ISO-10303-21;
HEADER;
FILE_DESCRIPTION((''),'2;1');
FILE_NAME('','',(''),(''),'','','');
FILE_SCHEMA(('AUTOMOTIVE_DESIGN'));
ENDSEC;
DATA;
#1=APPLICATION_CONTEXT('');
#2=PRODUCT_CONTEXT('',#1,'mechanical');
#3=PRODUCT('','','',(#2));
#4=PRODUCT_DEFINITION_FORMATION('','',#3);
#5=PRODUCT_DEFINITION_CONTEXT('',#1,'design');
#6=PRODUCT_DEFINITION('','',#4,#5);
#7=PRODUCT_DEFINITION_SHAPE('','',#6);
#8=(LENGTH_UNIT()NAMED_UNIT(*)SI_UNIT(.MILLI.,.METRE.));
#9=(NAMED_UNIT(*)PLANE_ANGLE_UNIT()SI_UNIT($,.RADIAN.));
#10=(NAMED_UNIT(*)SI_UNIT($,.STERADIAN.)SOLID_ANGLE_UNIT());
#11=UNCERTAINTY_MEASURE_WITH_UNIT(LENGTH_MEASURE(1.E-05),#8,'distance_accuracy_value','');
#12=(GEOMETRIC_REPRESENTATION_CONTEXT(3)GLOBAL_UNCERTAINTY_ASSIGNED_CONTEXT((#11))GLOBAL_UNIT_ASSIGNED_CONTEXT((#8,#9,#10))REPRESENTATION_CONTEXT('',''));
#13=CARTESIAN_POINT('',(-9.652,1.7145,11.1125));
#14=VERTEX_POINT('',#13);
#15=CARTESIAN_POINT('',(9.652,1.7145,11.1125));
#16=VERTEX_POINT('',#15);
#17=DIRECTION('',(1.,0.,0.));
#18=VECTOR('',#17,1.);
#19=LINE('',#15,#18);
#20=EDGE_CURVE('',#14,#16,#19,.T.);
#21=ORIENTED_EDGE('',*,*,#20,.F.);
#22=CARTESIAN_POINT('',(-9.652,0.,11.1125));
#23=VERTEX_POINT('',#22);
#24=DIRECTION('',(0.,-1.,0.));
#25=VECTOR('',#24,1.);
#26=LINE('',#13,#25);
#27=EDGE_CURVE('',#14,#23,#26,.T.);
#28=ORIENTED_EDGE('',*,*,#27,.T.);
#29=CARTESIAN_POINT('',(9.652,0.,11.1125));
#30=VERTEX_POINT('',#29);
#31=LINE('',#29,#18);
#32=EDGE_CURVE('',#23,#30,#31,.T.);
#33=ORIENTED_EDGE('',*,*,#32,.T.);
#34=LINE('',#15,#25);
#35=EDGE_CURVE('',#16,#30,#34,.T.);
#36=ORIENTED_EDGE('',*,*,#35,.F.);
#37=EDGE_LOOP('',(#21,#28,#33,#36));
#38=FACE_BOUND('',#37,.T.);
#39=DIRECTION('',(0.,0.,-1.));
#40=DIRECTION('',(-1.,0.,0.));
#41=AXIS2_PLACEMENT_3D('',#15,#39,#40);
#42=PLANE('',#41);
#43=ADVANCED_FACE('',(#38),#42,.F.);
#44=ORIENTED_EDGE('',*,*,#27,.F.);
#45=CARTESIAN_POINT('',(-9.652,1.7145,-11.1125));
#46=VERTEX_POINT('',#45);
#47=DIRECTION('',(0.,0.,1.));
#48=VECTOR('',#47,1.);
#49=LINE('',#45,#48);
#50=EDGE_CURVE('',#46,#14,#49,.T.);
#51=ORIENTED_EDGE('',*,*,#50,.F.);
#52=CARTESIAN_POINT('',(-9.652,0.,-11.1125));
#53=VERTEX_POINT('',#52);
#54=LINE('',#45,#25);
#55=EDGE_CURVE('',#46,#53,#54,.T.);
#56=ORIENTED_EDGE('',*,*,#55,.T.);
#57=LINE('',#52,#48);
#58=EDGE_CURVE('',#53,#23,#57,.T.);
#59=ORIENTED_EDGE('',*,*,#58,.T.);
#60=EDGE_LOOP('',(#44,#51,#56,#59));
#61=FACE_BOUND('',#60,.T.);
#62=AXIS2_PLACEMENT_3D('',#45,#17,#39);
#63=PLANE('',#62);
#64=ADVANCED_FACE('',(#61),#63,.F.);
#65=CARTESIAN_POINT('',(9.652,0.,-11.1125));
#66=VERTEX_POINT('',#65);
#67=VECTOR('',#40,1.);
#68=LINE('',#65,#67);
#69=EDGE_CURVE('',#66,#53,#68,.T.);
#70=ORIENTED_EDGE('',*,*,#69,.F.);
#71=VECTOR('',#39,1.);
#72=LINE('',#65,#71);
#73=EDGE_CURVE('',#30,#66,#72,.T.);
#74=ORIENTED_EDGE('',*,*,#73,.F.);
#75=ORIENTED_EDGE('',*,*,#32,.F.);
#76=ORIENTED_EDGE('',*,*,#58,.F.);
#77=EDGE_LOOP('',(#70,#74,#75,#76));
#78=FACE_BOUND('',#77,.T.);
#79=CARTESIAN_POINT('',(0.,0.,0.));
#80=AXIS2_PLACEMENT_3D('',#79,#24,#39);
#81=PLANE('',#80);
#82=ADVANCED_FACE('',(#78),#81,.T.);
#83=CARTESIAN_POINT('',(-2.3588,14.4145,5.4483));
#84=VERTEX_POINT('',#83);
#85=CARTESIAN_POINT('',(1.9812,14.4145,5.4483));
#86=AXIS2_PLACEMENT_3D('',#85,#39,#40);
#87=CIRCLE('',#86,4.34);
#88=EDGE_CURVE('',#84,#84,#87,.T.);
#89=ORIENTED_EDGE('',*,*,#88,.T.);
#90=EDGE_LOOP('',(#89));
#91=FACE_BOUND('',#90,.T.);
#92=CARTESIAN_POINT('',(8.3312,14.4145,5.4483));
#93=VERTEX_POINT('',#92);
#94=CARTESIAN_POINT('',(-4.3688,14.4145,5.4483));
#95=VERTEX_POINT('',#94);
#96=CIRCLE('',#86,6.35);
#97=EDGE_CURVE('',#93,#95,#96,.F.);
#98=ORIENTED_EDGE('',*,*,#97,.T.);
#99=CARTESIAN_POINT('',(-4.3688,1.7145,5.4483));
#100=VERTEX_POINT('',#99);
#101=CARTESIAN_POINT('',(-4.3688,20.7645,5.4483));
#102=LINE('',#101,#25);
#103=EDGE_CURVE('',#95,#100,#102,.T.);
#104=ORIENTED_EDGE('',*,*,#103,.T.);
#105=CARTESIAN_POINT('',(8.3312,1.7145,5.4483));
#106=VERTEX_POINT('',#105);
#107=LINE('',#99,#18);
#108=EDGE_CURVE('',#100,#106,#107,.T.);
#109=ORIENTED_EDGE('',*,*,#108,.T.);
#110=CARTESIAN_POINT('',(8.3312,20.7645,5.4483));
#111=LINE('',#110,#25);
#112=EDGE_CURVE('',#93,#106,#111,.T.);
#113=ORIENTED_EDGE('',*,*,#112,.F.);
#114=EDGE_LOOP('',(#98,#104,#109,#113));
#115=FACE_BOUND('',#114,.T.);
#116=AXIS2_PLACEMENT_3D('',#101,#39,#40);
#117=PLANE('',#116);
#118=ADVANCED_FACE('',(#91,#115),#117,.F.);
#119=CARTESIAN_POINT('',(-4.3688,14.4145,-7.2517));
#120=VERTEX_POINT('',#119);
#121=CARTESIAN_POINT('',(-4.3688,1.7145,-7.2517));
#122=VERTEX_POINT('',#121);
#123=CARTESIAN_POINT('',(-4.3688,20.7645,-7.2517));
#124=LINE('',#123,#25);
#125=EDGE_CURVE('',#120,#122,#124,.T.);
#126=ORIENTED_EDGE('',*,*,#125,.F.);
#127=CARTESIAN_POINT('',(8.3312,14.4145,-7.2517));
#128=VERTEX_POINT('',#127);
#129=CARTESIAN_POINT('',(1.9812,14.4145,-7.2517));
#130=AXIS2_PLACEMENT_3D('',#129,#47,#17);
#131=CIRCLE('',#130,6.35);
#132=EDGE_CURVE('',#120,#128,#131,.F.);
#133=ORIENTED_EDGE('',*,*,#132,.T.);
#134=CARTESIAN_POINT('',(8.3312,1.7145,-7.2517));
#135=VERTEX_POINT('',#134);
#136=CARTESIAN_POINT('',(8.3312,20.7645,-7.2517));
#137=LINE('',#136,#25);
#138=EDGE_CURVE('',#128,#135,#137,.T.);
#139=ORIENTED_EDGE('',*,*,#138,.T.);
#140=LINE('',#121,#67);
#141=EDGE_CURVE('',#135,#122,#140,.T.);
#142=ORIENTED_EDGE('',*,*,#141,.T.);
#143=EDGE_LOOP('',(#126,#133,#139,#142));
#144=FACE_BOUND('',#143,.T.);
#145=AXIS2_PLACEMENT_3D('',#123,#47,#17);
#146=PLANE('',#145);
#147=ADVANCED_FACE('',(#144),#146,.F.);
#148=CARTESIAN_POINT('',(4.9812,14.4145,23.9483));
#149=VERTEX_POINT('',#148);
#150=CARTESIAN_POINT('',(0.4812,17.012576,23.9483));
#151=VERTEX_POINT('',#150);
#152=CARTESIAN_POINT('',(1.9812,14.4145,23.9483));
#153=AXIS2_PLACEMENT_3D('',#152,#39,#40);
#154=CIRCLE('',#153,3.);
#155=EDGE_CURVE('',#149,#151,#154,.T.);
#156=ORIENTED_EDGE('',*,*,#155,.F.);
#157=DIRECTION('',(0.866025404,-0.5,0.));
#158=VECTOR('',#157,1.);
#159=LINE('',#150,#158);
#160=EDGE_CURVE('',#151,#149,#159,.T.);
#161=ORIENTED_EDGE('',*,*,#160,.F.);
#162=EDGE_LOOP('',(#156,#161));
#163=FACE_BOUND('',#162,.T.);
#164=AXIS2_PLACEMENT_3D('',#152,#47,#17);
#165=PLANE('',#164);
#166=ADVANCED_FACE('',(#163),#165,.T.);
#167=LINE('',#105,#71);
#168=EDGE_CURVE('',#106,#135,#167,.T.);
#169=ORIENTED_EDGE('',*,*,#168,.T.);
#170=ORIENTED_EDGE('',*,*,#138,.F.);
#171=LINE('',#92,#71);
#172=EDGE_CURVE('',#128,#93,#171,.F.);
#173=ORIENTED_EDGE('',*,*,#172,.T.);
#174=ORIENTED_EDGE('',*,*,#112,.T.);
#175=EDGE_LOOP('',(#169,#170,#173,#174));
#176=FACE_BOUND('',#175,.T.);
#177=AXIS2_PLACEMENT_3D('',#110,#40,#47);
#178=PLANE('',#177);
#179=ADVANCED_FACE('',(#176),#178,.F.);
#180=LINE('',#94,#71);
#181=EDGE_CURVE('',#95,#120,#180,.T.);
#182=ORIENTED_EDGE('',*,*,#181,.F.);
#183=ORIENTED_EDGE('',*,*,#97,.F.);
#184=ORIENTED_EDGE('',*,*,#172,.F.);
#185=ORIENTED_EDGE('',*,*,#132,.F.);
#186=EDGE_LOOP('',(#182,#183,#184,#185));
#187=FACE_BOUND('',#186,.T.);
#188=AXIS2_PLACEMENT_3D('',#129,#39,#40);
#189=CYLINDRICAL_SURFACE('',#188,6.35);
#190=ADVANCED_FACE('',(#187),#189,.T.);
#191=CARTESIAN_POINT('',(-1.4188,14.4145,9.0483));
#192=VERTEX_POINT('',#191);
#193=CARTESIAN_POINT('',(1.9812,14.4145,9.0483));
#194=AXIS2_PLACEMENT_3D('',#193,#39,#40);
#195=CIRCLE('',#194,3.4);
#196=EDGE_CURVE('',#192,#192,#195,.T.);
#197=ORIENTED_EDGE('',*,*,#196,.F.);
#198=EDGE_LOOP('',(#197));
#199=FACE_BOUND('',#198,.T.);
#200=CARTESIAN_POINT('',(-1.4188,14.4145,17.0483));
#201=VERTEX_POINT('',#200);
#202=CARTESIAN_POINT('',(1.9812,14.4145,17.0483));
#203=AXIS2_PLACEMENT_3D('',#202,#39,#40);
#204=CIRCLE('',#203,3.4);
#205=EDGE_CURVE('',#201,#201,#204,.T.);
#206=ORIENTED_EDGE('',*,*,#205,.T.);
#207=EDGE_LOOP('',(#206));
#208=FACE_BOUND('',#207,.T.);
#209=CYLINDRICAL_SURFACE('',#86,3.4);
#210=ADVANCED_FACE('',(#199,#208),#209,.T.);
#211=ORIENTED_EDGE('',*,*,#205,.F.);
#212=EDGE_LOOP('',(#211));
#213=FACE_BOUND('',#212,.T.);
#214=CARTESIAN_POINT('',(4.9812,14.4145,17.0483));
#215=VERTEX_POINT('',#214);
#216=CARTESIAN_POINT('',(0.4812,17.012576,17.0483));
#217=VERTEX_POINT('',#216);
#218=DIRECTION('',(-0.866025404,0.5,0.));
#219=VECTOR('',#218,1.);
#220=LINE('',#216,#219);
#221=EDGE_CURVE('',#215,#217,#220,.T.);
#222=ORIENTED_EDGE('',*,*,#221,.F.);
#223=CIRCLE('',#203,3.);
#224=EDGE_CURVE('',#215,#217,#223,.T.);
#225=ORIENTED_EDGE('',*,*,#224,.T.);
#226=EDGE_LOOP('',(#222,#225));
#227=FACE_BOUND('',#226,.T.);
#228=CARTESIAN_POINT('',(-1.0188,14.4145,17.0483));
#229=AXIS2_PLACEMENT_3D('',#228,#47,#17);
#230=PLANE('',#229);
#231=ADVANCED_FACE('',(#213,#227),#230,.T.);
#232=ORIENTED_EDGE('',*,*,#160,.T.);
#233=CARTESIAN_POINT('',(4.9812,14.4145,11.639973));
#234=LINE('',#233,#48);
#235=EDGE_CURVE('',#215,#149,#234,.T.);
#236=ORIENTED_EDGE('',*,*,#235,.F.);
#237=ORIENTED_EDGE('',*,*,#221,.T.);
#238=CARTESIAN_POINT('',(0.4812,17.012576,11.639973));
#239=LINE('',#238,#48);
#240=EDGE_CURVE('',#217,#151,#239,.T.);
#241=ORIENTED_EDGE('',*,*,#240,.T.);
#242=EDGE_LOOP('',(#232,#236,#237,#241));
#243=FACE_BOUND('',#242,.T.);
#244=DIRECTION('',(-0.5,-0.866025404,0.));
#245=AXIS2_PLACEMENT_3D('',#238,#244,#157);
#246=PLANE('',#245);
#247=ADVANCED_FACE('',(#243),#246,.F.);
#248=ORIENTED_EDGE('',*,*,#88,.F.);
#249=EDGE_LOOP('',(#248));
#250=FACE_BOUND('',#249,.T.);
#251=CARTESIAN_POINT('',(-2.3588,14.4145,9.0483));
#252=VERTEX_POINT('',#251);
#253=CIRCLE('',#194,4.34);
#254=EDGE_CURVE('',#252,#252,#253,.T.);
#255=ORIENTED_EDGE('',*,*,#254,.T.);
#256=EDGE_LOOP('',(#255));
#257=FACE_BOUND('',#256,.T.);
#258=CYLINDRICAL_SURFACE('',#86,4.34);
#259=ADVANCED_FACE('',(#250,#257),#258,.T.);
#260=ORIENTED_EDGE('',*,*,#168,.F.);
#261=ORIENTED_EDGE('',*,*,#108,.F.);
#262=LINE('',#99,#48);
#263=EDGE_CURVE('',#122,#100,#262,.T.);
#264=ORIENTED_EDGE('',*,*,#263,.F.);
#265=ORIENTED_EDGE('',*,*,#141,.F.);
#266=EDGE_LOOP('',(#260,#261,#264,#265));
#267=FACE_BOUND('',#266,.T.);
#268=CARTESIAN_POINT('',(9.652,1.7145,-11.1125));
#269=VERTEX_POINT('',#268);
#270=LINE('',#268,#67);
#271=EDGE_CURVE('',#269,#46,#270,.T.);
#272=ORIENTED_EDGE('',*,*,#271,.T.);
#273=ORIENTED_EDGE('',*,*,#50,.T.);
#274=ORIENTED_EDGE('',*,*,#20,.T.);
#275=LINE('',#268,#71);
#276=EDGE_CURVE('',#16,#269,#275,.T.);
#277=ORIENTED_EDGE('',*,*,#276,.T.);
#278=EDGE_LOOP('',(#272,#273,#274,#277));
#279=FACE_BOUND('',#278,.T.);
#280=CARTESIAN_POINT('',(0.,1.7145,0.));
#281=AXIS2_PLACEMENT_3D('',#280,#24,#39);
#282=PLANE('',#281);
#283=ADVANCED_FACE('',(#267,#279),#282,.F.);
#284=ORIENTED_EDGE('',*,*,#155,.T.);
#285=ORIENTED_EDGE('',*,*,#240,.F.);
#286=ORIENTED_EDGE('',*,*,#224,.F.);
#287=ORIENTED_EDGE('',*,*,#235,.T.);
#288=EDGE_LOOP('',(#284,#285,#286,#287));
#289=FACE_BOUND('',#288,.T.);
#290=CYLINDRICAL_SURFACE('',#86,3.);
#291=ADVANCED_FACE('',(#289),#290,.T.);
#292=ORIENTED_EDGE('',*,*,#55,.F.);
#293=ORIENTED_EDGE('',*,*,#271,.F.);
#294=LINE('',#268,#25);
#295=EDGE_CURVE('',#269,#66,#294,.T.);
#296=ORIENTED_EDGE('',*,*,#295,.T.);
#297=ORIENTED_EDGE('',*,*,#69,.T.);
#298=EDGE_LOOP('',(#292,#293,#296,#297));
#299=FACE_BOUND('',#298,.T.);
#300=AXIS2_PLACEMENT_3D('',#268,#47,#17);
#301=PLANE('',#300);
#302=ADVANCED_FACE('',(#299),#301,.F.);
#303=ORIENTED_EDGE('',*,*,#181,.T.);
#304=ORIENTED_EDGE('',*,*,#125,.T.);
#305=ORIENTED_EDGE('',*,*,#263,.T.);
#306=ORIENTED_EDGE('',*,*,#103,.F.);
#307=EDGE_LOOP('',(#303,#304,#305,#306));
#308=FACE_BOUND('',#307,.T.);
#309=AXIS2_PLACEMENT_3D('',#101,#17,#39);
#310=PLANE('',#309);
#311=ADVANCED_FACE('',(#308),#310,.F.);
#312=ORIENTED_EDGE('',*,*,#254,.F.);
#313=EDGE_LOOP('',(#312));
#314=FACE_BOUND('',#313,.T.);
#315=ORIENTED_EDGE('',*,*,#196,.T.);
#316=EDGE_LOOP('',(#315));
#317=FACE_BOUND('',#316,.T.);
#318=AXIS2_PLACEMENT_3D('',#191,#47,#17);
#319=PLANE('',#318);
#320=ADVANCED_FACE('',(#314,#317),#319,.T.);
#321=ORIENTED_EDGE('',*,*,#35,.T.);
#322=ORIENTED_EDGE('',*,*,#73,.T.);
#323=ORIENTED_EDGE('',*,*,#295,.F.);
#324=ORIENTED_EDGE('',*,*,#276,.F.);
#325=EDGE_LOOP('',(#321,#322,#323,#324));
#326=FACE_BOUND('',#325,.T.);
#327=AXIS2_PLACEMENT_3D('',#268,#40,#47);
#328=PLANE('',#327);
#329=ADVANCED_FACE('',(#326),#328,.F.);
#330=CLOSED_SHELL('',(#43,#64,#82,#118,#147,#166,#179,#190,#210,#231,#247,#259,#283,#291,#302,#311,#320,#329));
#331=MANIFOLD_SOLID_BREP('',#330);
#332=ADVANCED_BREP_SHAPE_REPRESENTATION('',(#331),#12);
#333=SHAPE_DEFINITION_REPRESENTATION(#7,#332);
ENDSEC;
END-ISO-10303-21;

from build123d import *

# Parameters (mm, degrees)
SKETCH1_W           = 19.304
SKETCH1_H           = 22.225
BOSS_EXTRUDE1_DEPTH = 1.7145
SKETCH2_W           = 12.7
SKETCH2_H           = 12.7
BOSS_EXTRUDE2_DEPTH = 19.05
FILLET1_RADIUS      = 6.35
FILLET1_LENGTH      = 12.7
CUT_EXTRUDE1_START  = -6.9
CUT_EXTRUDE1_DEPTH  = 6.9


with BuildPart() as part:
    # Sketch1 → Boss-Extrude1 (new body)
    with BuildSketch(Plane(origin=(0, 0, 0), x_dir=(1, 0, 0), z_dir=(0, 1, 0))):
        Rectangle(SKETCH1_W, SKETCH1_H)
    extrude(amount=BOSS_EXTRUDE1_DEPTH)

    # Sketch2 → Boss-Extrude2 (add)
    with BuildSketch(Plane(origin=(0, 1.7145, 0), x_dir=(1, 0, 0), z_dir=(0, 1, 0))):
        with Locations((1.9812, 0.9017)):
            Rectangle(SKETCH2_W, SKETCH2_H)
    extrude(amount=BOSS_EXTRUDE2_DEPTH)

    # Fillet1: full round fillet: the end face becomes a half cylinder, R = half its width
    fillet1_face = Plane((1.9812, 20.7645, -0.9017), x_dir=(0, 0, 1), z_dir=(0, 1, 0))  # on the end face: x along it, z out of the body
    fillet1_slab = fillet1_face.offset(-FILLET1_RADIUS / 2) * Box(FILLET1_LENGTH, 2 * FILLET1_RADIUS, FILLET1_RADIUS, mode=Mode.PRIVATE)  # the body's end, R deep
    fillet1_round = Plane((1.9812, 14.4145, -0.9017), x_dir=(0, 1, 0), z_dir=(0, 0, 1)) * Cylinder(FILLET1_RADIUS, FILLET1_LENGTH, mode=Mode.PRIVATE)  # its axis R under the face
    add(fillet1_slab - fillet1_round, mode=Mode.SUBTRACT)

    # Sketch6 → Revolve1 (revolve)
    with BuildSketch(Plane(origin=(0, 14.4145, 0), x_dir=(1, 0, 0), z_dir=(0, 1, 0))):
        Polygon((1.9812, -23.9483), (-1.0188, -23.9483), (-1.0188, -17.0483), (-1.4188, -17.0483), (-1.4188, -9.0483), (-2.3588, -9.0483), (-2.3588, -5.4483), (1.9812, -5.4483), align=None)
    revolve(axis=Axis((1.9812, 14.4145, 5.4483), (0, 0, 1)))

    # Sketch7 → Cut-Extrude1 (cut)
    with BuildSketch(Plane.XY.offset(23.9483).offset(CUT_EXTRUDE1_START)):
        with BuildLine():
            Line((0.4812, 17.012576211), (4.9812, 14.4145))
            ThreePointArc((4.9812, 14.4145), (3.4812, 17.012576211), (0.4812, 17.012576211))
        make_face()
    extrude(amount=CUT_EXTRUDE1_DEPTH, mode=Mode.SUBTRACT)


solid = part.part
